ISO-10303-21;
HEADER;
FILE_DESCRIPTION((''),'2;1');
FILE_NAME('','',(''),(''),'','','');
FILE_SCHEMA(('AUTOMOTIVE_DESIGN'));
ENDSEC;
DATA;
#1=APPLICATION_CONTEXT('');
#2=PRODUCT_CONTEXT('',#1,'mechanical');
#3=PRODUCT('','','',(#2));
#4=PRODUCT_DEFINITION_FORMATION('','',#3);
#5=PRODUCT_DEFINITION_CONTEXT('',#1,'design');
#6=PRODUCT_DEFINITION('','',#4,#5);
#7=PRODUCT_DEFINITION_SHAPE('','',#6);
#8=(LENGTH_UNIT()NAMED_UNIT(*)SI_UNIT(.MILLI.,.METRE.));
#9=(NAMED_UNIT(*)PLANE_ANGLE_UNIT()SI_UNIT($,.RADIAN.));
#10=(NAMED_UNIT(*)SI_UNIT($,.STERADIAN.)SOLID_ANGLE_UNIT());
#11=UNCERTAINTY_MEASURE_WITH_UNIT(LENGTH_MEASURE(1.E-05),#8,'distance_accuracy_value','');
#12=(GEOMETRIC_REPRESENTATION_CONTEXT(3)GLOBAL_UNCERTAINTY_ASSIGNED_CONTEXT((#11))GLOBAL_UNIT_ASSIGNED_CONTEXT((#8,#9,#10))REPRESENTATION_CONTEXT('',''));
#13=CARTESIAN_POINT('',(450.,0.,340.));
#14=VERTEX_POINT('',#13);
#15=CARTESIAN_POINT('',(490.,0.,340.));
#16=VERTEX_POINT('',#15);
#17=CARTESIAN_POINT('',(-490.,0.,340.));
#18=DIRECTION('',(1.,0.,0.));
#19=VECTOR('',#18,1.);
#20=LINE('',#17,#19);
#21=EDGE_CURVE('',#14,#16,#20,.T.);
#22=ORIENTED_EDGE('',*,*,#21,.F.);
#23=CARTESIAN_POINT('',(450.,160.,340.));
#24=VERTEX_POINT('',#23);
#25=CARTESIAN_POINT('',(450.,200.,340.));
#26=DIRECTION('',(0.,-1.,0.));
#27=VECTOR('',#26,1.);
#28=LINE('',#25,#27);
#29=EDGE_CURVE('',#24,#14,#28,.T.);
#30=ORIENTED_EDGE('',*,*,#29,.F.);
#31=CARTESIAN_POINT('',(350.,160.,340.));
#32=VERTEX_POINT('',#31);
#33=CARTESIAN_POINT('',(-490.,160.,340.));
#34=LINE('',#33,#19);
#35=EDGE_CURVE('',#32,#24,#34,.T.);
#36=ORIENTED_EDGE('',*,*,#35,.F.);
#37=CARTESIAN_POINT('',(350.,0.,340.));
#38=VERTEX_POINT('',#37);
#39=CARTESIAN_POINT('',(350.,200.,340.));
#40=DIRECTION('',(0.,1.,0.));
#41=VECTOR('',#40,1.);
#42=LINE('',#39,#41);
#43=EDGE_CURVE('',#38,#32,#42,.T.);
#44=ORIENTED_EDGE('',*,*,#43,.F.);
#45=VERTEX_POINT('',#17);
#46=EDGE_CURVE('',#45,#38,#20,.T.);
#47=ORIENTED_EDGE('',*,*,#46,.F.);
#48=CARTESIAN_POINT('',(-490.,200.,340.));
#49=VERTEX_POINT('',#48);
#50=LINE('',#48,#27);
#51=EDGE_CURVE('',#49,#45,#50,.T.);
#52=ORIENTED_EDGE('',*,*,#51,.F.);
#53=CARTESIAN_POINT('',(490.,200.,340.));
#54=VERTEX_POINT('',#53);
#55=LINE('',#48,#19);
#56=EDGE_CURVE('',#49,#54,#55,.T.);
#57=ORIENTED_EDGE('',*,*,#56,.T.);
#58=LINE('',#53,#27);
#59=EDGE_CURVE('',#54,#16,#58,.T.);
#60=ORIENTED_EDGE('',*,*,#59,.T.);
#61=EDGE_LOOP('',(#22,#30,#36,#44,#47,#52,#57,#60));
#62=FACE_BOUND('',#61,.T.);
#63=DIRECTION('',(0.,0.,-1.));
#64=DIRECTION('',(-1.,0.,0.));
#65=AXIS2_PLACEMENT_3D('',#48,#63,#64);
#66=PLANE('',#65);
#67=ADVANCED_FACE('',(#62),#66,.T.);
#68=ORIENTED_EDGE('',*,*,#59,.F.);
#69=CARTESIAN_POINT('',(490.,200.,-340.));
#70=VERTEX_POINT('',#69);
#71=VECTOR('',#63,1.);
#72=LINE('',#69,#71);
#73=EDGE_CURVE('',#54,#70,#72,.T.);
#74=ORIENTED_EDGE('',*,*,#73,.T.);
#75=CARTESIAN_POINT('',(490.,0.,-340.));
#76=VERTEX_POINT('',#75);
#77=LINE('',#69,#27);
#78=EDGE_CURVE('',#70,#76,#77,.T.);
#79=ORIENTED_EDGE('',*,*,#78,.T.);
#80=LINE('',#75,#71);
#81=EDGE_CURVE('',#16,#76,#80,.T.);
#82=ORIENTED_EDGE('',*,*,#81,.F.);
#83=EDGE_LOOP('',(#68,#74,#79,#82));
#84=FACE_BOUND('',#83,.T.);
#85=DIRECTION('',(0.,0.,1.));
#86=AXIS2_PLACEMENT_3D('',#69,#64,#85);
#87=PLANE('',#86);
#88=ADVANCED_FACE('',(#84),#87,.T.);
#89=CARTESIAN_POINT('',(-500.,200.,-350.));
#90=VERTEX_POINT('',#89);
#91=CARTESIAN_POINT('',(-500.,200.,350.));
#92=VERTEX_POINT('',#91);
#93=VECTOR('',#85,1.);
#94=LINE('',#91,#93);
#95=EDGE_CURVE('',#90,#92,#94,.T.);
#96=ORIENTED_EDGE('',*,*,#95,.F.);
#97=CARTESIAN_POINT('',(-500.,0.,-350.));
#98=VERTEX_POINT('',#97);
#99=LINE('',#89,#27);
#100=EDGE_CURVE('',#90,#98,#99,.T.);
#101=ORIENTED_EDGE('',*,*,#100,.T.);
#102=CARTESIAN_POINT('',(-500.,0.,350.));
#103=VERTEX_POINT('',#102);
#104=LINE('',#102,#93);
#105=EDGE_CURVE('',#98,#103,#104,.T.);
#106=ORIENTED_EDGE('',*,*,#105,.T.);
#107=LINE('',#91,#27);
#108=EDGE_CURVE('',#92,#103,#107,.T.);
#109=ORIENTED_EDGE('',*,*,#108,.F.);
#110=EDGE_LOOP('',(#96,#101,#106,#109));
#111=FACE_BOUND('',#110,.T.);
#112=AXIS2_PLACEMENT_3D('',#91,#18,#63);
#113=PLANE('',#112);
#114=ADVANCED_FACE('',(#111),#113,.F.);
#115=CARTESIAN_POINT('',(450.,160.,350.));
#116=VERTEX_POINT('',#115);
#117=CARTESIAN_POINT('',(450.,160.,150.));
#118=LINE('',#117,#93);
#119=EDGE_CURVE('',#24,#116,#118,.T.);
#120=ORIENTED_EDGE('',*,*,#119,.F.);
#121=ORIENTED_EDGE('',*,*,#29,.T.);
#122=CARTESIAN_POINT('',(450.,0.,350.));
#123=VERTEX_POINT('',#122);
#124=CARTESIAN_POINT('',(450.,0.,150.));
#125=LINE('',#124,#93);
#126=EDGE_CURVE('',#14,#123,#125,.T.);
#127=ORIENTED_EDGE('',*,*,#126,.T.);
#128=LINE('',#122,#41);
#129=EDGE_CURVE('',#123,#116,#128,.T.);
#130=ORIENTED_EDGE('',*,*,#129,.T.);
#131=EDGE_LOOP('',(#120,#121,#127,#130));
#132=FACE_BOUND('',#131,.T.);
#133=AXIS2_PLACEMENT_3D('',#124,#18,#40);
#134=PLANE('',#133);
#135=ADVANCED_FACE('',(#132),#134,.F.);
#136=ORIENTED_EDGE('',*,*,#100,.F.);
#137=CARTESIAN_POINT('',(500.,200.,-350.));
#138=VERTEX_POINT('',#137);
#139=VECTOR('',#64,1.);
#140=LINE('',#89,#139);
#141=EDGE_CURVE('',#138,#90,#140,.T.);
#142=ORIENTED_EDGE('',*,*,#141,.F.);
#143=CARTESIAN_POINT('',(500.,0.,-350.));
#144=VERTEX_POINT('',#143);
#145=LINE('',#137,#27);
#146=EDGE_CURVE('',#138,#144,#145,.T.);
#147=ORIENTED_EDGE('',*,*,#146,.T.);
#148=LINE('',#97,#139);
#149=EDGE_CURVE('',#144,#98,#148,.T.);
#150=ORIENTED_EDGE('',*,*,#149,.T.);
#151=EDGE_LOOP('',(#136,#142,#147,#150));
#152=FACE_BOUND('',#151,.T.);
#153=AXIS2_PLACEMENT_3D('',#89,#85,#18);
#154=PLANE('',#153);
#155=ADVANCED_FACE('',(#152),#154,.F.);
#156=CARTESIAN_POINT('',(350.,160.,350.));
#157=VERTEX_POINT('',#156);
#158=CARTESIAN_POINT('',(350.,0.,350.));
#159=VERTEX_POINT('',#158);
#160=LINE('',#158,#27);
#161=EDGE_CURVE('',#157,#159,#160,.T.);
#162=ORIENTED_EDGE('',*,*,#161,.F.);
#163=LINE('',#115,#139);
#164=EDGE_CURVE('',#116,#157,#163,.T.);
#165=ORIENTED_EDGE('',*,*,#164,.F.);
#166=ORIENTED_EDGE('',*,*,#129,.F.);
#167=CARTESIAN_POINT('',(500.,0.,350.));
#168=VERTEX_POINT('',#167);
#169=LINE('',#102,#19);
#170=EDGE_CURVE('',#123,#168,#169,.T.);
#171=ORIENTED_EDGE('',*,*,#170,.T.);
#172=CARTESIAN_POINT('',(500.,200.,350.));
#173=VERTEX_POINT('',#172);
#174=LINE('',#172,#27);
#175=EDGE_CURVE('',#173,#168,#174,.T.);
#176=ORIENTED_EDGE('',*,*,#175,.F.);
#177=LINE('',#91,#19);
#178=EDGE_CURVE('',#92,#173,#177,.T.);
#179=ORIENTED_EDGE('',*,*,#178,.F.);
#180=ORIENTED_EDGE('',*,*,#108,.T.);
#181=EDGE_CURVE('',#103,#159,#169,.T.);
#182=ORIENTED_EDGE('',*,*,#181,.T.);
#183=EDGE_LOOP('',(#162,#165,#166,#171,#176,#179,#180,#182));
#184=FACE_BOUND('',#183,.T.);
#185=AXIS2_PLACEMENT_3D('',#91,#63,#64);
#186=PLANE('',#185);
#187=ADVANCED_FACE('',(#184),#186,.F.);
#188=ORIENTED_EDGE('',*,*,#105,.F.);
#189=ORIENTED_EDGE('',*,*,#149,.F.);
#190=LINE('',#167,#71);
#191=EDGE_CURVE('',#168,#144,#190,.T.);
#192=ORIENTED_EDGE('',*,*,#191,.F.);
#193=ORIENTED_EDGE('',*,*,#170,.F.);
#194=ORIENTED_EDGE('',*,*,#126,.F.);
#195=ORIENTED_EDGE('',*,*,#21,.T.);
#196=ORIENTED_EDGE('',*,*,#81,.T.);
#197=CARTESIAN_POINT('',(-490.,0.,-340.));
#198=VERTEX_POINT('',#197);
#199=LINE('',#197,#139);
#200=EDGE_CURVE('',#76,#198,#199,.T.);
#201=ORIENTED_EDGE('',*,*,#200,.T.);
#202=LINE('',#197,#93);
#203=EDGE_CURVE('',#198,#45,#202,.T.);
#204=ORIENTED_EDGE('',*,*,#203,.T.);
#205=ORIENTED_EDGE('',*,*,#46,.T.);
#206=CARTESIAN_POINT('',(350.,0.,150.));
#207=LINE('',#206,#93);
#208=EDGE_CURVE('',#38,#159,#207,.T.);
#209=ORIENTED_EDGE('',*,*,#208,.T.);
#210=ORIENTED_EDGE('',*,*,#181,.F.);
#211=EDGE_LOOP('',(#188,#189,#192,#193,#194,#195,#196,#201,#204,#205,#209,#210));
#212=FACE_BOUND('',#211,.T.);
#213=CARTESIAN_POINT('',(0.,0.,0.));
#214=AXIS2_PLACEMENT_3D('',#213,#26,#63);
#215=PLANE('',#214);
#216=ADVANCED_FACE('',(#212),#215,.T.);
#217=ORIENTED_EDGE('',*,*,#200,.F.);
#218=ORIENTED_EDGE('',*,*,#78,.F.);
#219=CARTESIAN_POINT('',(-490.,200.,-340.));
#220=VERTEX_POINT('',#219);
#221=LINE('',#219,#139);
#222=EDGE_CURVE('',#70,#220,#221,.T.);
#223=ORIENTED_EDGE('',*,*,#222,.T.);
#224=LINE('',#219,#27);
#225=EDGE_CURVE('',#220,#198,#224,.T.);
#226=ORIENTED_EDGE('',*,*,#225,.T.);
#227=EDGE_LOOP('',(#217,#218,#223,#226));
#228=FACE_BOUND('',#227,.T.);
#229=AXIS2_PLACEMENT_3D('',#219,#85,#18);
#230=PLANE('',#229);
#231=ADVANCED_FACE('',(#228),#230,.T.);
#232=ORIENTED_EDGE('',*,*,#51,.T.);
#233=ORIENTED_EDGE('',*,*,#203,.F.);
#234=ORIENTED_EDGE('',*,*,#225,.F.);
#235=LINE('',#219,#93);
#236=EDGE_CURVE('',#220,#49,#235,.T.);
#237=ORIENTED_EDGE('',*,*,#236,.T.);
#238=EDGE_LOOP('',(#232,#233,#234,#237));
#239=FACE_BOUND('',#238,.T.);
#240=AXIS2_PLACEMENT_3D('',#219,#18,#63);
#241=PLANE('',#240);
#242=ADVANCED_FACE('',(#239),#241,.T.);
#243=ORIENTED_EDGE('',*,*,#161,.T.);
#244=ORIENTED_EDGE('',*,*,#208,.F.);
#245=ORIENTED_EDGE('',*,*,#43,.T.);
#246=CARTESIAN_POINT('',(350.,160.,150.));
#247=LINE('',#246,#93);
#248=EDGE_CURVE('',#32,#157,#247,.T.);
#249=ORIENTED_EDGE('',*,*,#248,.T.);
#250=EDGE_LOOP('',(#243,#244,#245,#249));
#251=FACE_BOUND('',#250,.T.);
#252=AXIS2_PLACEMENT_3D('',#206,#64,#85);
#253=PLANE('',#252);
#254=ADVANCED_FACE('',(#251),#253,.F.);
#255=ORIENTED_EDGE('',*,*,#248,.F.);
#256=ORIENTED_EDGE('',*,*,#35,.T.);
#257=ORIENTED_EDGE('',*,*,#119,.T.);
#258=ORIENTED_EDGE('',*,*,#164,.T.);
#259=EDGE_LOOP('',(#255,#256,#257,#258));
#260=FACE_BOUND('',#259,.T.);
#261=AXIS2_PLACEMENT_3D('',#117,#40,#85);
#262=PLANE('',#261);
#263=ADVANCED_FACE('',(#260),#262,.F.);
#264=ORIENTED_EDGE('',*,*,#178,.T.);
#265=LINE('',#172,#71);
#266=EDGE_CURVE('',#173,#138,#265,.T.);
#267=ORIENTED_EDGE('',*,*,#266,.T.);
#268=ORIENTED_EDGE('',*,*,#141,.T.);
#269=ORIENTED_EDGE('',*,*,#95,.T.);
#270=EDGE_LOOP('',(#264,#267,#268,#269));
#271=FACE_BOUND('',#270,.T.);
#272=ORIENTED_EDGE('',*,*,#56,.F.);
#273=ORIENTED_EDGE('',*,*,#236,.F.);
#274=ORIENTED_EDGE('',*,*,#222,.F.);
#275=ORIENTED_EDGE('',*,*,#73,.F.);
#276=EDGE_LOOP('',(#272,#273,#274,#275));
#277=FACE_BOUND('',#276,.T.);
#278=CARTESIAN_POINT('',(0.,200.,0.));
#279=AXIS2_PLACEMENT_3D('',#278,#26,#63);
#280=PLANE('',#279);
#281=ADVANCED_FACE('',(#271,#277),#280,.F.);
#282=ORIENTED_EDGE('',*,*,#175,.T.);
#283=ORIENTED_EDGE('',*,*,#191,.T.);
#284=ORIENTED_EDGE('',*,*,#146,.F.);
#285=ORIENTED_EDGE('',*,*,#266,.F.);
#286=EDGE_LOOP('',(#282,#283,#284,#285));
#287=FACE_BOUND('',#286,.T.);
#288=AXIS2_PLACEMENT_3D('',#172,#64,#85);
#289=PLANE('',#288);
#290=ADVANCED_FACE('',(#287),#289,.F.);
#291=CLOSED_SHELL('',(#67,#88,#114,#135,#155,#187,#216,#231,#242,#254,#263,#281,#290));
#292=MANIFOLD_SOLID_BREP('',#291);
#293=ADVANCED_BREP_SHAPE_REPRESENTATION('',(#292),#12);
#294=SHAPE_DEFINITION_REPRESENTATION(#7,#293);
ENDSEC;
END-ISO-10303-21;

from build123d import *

# Parameters (mm, degrees)
SKETCH1_W           = 1000
SKETCH1_H           = 700
SKETCH1_W_2         = 980
SKETCH1_H_2         = 680
BOSS_EXTRUDE1_DEPTH = 200
SKETCH2_W           = 100
SKETCH2_H           = 160
CUT_EXTRUDE1_DEPTH  = 200


with BuildPart() as part:
    # Sketch1 → Boss-Extrude1 (new body)
    with BuildSketch(Plane(origin=(0, 0, 0), x_dir=(1, 0, 0), z_dir=(0, 1, 0))):
        Rectangle(SKETCH1_W, SKETCH1_H)
        Rectangle(SKETCH1_W_2, SKETCH1_H_2, mode=Mode.SUBTRACT)
    extrude(amount=BOSS_EXTRUDE1_DEPTH)

    # Sketch2 → Cut-Extrude1 (cut)
    with BuildSketch(Plane.XY.offset(350)):
        with Locations((400, 80)):
            Rectangle(SKETCH2_W, SKETCH2_H)
    extrude(amount=-CUT_EXTRUDE1_DEPTH, mode=Mode.SUBTRACT)


solid = part.part
